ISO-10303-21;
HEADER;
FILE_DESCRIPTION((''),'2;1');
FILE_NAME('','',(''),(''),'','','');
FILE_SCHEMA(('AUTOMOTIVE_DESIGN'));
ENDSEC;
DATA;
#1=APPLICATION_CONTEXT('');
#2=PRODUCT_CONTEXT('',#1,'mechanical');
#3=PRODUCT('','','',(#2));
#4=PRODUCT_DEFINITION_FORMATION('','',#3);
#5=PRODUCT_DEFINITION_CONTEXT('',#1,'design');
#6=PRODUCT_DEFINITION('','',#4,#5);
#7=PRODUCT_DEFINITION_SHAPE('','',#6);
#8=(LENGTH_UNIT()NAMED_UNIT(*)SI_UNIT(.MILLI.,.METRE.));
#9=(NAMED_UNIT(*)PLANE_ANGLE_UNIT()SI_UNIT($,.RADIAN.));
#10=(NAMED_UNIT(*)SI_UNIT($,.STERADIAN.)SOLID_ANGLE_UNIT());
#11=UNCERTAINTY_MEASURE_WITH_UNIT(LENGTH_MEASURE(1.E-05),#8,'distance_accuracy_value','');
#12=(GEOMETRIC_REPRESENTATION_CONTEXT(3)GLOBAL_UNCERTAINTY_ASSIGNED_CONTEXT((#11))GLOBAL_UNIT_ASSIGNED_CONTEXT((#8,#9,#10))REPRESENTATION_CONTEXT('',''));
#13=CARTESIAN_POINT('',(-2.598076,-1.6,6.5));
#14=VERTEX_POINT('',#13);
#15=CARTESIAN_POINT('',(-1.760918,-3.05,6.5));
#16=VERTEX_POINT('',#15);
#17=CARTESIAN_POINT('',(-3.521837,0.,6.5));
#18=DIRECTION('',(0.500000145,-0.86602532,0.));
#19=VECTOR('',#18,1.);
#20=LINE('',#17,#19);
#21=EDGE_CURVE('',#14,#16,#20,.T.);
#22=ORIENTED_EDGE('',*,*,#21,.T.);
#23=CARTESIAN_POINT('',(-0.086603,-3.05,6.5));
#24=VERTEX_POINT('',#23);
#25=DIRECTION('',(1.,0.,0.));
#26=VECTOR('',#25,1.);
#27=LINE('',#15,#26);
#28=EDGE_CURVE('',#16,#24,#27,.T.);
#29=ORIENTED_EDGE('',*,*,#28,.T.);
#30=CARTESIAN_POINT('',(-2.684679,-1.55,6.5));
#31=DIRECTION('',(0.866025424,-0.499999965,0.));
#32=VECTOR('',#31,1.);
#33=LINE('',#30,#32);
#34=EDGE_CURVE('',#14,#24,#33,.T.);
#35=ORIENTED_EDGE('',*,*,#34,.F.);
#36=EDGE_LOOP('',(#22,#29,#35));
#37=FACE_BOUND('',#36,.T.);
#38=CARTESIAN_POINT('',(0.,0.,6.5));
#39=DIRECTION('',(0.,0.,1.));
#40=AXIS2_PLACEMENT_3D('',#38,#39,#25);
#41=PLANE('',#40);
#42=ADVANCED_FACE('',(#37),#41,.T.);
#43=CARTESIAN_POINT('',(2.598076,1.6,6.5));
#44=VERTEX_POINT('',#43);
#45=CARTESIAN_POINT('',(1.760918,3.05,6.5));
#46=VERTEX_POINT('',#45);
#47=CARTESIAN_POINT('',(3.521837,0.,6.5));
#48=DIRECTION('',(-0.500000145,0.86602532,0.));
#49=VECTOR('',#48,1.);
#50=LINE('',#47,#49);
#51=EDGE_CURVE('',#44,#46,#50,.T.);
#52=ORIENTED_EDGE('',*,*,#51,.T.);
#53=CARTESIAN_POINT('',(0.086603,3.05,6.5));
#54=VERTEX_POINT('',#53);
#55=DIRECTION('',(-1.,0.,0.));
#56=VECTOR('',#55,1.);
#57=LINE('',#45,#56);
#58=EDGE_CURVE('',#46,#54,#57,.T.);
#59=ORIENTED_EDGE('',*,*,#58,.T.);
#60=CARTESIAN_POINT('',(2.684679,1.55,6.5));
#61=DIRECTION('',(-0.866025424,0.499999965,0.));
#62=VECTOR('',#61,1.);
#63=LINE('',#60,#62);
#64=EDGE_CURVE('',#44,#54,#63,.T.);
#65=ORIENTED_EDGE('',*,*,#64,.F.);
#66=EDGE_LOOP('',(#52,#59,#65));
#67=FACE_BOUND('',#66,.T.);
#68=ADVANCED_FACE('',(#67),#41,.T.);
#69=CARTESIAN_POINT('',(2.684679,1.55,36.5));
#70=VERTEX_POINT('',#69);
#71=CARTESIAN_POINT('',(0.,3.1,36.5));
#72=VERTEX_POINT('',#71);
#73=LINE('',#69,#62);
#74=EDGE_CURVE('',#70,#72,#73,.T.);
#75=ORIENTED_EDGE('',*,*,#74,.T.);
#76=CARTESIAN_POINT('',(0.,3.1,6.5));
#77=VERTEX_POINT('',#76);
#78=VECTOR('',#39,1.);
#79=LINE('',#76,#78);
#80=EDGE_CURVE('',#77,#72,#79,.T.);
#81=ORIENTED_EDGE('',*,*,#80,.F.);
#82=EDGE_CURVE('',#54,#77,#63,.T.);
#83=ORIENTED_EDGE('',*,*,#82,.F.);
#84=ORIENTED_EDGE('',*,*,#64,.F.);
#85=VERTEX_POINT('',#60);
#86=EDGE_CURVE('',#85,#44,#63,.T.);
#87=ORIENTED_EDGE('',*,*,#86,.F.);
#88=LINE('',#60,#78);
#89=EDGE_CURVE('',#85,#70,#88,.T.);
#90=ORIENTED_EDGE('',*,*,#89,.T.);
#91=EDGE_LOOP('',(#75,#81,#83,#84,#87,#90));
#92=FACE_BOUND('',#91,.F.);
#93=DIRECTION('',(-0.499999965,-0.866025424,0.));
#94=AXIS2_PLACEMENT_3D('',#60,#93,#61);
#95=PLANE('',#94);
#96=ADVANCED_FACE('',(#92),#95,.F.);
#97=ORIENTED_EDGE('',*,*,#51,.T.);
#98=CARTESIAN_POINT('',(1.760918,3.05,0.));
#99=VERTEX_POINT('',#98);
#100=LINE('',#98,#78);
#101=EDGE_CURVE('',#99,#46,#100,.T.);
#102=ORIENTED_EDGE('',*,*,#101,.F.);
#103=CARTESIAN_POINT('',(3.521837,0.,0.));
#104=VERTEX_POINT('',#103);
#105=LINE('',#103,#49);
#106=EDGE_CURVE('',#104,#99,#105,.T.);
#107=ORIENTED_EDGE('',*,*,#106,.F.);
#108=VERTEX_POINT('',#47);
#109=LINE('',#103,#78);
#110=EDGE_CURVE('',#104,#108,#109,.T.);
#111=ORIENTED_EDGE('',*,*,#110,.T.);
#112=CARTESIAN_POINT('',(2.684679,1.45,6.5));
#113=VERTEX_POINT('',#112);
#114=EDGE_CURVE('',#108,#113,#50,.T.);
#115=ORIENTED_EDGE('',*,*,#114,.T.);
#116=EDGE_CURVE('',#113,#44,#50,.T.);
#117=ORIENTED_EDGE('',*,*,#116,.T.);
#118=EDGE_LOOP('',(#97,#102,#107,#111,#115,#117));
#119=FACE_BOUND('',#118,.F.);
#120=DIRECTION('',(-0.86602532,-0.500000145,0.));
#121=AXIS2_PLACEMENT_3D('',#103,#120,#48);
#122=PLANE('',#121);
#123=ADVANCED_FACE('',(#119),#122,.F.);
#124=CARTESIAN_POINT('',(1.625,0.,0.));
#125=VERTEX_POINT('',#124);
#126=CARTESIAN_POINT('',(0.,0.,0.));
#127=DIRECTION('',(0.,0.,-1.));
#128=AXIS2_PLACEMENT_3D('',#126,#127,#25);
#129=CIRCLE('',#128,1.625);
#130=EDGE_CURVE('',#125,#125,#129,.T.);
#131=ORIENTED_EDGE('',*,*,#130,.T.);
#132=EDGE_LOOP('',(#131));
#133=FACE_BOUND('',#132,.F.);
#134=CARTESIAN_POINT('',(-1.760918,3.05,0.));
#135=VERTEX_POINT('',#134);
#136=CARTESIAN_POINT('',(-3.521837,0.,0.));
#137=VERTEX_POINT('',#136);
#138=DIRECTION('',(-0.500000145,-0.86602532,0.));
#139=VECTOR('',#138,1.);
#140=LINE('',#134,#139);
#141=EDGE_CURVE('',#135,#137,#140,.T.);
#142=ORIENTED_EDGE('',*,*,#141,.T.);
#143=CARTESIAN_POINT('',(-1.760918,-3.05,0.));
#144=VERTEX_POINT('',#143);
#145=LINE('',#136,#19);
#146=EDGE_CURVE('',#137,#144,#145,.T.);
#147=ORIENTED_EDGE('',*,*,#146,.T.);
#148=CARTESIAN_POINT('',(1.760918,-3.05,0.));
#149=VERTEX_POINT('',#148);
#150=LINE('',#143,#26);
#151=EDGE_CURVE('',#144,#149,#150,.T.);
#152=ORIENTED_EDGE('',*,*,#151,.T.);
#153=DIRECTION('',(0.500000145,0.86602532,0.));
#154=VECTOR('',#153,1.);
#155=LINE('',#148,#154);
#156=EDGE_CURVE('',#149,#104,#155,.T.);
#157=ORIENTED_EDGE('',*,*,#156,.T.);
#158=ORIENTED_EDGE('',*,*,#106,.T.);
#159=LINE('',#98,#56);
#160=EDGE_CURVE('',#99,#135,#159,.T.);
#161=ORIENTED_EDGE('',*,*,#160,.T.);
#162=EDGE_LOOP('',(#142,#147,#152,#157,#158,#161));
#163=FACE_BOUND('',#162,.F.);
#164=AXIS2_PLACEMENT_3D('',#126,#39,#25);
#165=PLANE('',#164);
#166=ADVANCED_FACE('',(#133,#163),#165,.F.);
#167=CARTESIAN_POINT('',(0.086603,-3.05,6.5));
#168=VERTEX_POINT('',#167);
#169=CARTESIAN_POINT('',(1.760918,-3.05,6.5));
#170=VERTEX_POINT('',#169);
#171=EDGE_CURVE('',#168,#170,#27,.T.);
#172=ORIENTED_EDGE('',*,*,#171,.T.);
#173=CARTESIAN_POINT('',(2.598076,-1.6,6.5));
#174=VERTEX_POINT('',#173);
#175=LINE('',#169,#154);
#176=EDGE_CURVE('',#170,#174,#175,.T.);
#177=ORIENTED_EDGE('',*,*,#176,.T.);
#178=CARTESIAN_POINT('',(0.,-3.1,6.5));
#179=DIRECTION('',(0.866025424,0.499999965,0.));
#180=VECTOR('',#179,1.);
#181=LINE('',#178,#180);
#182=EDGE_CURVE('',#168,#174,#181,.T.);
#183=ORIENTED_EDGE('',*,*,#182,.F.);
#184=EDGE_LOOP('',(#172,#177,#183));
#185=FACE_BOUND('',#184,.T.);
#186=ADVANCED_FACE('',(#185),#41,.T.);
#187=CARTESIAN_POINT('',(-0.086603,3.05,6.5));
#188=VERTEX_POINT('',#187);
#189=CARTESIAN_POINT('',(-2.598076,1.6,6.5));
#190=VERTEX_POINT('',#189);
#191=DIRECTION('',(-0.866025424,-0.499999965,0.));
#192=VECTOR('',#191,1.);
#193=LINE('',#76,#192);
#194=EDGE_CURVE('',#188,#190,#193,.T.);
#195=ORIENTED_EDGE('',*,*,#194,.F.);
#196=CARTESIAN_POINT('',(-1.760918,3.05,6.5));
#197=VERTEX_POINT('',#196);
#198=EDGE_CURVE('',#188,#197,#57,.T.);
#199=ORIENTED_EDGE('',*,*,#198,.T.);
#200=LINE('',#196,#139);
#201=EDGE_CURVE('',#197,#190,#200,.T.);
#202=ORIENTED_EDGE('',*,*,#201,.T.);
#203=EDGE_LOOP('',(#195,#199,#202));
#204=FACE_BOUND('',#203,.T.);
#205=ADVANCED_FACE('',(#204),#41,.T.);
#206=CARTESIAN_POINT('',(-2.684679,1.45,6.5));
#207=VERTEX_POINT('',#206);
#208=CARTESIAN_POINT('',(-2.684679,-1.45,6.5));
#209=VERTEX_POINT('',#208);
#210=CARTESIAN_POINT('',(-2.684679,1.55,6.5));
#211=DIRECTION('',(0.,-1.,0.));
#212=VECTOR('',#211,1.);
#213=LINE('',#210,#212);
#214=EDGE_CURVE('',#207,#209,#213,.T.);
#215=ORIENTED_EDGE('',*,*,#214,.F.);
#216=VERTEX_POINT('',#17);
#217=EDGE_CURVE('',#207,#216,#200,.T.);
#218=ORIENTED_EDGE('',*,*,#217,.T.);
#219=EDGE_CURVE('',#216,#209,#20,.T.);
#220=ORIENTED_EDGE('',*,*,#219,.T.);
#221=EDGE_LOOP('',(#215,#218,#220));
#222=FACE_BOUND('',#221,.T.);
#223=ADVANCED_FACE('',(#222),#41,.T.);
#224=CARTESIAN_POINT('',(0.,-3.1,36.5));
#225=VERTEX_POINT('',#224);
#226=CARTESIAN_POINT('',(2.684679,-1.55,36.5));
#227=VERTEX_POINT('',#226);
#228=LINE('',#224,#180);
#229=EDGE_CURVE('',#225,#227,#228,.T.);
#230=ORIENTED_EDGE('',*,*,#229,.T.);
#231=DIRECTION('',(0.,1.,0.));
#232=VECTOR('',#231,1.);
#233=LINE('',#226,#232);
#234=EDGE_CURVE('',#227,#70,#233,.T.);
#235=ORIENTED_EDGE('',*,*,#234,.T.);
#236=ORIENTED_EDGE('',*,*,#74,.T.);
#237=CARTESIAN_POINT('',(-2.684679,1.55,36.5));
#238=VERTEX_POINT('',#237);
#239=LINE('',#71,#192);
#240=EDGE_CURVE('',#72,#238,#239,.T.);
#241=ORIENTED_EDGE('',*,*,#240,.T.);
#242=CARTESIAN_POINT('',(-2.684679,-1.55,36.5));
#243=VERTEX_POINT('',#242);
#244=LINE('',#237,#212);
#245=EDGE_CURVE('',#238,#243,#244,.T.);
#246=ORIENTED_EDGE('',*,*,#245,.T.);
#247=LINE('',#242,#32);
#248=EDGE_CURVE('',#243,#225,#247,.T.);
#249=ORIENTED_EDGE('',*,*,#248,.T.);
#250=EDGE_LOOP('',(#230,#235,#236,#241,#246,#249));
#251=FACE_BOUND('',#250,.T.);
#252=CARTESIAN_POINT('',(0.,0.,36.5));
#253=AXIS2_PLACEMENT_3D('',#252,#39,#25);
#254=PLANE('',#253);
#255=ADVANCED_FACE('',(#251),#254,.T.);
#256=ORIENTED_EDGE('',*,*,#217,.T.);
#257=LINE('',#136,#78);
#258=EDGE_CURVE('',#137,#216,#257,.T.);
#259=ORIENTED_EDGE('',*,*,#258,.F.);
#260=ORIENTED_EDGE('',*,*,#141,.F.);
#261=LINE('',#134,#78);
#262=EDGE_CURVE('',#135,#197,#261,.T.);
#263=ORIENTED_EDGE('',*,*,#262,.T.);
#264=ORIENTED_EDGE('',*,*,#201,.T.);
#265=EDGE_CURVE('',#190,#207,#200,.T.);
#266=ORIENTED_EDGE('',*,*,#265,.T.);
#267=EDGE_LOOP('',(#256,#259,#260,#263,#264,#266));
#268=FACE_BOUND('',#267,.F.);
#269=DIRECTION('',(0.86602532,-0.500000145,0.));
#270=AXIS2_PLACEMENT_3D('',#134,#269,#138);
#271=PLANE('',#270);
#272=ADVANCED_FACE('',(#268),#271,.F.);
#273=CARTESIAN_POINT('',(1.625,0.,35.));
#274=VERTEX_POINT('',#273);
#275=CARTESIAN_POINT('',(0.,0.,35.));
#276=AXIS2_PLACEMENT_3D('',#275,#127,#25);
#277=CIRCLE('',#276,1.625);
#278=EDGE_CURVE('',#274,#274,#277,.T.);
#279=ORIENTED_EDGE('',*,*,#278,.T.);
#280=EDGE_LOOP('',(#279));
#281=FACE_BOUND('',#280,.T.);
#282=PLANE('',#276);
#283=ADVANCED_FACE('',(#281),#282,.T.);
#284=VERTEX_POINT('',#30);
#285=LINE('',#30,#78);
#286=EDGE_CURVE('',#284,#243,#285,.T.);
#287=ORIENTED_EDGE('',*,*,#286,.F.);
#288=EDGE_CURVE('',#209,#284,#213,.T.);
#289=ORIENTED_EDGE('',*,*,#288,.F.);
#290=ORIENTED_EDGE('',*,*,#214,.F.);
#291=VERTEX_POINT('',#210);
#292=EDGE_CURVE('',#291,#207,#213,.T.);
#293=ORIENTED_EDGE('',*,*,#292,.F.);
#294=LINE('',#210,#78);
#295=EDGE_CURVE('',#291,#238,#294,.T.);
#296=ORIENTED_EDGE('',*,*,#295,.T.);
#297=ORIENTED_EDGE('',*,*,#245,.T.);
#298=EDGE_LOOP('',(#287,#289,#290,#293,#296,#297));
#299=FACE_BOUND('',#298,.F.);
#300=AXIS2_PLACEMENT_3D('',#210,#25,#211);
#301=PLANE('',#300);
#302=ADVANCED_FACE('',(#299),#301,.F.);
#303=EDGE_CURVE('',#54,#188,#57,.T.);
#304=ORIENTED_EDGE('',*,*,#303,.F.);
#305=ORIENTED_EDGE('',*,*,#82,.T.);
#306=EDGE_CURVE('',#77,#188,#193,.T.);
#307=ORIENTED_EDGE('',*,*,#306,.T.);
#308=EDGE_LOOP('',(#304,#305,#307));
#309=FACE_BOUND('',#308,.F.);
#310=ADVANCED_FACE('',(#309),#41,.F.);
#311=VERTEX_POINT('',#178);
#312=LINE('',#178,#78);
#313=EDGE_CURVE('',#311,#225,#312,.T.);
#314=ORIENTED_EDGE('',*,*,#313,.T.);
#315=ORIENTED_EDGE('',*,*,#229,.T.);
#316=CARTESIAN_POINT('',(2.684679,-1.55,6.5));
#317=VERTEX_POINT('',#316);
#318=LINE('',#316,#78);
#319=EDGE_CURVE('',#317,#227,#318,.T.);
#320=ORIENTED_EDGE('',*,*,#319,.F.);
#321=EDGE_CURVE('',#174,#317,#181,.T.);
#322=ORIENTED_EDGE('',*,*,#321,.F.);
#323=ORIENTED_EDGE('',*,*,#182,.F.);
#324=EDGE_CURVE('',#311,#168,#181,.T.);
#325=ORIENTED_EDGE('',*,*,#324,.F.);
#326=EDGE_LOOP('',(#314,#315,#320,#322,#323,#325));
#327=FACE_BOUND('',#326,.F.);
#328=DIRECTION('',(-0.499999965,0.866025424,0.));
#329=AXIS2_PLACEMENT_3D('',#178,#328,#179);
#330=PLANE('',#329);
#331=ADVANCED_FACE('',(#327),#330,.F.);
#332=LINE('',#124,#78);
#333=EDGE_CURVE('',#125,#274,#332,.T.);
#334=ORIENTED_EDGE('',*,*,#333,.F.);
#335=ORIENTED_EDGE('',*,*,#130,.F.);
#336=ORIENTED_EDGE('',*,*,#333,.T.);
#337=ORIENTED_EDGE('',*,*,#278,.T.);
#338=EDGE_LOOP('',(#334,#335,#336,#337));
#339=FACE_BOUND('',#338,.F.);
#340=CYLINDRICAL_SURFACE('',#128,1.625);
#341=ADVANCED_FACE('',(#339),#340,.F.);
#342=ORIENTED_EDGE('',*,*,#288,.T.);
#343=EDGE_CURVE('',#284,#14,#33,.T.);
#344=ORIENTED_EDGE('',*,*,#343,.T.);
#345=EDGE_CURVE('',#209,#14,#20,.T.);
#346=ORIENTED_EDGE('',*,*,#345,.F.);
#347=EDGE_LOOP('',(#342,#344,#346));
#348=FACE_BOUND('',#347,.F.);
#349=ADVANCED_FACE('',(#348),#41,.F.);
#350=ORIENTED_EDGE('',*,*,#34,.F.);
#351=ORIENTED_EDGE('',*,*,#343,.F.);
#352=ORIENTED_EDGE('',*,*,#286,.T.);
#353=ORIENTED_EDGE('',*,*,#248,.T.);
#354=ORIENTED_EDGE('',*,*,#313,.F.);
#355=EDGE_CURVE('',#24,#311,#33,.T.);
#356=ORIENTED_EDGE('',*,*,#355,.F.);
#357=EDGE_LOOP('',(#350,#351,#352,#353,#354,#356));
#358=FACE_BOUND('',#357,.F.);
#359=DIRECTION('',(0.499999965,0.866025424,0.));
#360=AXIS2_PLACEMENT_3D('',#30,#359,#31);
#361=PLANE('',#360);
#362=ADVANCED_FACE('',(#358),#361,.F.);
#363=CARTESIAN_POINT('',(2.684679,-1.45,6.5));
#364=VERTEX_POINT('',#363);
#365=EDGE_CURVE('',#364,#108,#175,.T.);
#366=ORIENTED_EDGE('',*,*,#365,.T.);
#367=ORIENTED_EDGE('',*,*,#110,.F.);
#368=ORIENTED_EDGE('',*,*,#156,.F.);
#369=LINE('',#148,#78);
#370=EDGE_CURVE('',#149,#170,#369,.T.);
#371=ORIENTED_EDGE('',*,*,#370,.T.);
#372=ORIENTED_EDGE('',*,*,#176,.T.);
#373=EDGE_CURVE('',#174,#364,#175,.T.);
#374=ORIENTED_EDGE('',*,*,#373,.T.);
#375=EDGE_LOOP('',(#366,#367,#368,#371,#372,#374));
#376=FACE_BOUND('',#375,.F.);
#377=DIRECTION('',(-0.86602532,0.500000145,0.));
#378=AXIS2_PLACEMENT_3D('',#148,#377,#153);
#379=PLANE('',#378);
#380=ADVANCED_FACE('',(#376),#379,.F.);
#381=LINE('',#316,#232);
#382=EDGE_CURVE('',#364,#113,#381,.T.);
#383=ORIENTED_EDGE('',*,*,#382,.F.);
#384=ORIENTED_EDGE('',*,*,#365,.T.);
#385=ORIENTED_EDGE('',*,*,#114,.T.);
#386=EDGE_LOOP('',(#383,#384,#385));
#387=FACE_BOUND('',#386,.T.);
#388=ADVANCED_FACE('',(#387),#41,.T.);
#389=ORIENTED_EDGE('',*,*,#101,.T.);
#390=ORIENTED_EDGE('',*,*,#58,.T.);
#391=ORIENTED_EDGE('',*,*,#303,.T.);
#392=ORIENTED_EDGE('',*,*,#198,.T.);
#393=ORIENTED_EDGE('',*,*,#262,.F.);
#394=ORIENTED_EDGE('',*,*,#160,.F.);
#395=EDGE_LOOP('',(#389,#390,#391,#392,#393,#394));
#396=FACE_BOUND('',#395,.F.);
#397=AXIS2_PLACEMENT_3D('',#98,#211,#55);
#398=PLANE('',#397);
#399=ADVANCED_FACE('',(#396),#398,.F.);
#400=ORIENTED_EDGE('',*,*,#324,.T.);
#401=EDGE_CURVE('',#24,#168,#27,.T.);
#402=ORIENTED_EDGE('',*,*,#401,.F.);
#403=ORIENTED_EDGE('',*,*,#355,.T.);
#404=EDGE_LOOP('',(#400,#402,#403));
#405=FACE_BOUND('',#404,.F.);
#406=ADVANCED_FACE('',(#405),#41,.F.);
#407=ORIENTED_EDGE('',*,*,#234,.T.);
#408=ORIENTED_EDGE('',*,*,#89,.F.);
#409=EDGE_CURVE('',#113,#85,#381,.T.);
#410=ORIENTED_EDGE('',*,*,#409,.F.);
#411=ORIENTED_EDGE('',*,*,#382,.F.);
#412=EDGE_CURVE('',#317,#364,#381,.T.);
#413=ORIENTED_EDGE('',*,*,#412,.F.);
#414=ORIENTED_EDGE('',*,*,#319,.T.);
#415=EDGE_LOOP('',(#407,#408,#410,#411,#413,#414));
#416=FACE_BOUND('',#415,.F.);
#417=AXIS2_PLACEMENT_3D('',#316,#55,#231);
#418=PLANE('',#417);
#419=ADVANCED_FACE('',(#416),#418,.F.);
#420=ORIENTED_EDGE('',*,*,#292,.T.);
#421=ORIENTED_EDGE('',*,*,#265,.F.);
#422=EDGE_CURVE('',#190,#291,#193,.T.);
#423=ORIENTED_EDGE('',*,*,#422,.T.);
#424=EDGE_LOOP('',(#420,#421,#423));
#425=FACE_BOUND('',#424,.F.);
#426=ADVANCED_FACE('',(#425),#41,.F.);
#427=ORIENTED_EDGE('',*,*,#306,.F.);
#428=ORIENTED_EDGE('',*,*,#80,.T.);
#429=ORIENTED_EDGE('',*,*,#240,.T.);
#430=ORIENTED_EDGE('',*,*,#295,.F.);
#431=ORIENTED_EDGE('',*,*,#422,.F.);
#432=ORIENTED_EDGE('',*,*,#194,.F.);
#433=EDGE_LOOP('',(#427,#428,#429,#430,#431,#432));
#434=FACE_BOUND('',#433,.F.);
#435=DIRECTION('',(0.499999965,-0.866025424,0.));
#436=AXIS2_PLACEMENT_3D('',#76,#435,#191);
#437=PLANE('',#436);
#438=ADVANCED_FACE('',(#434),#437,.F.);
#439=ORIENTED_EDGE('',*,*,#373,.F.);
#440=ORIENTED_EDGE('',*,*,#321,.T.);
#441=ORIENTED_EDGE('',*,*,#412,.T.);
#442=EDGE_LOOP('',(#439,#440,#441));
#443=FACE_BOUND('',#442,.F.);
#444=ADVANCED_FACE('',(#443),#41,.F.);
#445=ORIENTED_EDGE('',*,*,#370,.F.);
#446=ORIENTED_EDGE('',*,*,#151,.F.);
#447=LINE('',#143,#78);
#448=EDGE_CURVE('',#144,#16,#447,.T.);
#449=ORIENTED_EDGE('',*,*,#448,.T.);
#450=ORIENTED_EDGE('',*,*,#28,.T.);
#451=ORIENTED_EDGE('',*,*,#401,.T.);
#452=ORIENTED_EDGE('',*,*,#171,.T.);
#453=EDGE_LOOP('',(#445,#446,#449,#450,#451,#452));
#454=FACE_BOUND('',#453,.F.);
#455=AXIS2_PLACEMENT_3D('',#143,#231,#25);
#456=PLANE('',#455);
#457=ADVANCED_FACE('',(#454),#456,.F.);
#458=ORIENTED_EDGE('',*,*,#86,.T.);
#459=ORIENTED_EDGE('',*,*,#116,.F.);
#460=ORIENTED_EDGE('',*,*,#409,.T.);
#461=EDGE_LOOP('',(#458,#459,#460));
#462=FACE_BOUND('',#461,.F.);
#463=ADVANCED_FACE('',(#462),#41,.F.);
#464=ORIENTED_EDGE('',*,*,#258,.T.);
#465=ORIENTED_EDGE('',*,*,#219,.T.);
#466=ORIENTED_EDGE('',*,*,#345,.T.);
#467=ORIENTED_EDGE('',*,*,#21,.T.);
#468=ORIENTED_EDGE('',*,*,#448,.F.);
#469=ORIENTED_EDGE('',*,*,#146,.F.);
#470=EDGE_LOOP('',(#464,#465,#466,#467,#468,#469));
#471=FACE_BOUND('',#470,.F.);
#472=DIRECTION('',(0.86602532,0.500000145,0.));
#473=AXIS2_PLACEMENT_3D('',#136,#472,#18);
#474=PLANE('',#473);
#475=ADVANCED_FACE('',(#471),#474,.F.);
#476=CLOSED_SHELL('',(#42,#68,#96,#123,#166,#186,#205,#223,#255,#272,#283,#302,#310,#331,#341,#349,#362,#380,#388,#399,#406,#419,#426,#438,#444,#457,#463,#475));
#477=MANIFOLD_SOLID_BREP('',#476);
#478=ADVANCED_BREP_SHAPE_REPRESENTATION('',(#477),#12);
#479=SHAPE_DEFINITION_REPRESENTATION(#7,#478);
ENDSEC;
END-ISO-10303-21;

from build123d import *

# Parameters (mm, degrees)
F1_DEPTH = 6.5
F3_DEPTH = 30
F4_R     = 1.625
F5_DEPTH = 35


with BuildPart() as f1:
    # F0 (on Top) → F1 (new body)
    with BuildSketch(Plane.XY):
        Polygon((-3.521837, 0), (-1.760918, -3.05), (1.760918, -3.05), (3.521837, 0), (1.760918, 3.05), (-1.760918, 3.05), align=None)
    extrude(amount=F1_DEPTH)

    # F2 (on face) → F3 (join)
    with BuildSketch(Plane.XY.offset(6.5)):
        Polygon((2.684679, 1.55), (0, 3.1), (-2.684679, 1.55), (-2.684679, -1.55), (0, -3.1), (2.684679, -1.55), align=None)
    extrude(amount=F3_DEPTH)

    # F4 (on face) → F5 (cut)
    with BuildSketch(Plane(origin=(0, 0, 0), x_dir=(1, 0, 0), z_dir=(0, 0, -1))):
        Circle(F4_R)
    extrude(amount=-F5_DEPTH, mode=Mode.SUBTRACT)


solid = f1.part
